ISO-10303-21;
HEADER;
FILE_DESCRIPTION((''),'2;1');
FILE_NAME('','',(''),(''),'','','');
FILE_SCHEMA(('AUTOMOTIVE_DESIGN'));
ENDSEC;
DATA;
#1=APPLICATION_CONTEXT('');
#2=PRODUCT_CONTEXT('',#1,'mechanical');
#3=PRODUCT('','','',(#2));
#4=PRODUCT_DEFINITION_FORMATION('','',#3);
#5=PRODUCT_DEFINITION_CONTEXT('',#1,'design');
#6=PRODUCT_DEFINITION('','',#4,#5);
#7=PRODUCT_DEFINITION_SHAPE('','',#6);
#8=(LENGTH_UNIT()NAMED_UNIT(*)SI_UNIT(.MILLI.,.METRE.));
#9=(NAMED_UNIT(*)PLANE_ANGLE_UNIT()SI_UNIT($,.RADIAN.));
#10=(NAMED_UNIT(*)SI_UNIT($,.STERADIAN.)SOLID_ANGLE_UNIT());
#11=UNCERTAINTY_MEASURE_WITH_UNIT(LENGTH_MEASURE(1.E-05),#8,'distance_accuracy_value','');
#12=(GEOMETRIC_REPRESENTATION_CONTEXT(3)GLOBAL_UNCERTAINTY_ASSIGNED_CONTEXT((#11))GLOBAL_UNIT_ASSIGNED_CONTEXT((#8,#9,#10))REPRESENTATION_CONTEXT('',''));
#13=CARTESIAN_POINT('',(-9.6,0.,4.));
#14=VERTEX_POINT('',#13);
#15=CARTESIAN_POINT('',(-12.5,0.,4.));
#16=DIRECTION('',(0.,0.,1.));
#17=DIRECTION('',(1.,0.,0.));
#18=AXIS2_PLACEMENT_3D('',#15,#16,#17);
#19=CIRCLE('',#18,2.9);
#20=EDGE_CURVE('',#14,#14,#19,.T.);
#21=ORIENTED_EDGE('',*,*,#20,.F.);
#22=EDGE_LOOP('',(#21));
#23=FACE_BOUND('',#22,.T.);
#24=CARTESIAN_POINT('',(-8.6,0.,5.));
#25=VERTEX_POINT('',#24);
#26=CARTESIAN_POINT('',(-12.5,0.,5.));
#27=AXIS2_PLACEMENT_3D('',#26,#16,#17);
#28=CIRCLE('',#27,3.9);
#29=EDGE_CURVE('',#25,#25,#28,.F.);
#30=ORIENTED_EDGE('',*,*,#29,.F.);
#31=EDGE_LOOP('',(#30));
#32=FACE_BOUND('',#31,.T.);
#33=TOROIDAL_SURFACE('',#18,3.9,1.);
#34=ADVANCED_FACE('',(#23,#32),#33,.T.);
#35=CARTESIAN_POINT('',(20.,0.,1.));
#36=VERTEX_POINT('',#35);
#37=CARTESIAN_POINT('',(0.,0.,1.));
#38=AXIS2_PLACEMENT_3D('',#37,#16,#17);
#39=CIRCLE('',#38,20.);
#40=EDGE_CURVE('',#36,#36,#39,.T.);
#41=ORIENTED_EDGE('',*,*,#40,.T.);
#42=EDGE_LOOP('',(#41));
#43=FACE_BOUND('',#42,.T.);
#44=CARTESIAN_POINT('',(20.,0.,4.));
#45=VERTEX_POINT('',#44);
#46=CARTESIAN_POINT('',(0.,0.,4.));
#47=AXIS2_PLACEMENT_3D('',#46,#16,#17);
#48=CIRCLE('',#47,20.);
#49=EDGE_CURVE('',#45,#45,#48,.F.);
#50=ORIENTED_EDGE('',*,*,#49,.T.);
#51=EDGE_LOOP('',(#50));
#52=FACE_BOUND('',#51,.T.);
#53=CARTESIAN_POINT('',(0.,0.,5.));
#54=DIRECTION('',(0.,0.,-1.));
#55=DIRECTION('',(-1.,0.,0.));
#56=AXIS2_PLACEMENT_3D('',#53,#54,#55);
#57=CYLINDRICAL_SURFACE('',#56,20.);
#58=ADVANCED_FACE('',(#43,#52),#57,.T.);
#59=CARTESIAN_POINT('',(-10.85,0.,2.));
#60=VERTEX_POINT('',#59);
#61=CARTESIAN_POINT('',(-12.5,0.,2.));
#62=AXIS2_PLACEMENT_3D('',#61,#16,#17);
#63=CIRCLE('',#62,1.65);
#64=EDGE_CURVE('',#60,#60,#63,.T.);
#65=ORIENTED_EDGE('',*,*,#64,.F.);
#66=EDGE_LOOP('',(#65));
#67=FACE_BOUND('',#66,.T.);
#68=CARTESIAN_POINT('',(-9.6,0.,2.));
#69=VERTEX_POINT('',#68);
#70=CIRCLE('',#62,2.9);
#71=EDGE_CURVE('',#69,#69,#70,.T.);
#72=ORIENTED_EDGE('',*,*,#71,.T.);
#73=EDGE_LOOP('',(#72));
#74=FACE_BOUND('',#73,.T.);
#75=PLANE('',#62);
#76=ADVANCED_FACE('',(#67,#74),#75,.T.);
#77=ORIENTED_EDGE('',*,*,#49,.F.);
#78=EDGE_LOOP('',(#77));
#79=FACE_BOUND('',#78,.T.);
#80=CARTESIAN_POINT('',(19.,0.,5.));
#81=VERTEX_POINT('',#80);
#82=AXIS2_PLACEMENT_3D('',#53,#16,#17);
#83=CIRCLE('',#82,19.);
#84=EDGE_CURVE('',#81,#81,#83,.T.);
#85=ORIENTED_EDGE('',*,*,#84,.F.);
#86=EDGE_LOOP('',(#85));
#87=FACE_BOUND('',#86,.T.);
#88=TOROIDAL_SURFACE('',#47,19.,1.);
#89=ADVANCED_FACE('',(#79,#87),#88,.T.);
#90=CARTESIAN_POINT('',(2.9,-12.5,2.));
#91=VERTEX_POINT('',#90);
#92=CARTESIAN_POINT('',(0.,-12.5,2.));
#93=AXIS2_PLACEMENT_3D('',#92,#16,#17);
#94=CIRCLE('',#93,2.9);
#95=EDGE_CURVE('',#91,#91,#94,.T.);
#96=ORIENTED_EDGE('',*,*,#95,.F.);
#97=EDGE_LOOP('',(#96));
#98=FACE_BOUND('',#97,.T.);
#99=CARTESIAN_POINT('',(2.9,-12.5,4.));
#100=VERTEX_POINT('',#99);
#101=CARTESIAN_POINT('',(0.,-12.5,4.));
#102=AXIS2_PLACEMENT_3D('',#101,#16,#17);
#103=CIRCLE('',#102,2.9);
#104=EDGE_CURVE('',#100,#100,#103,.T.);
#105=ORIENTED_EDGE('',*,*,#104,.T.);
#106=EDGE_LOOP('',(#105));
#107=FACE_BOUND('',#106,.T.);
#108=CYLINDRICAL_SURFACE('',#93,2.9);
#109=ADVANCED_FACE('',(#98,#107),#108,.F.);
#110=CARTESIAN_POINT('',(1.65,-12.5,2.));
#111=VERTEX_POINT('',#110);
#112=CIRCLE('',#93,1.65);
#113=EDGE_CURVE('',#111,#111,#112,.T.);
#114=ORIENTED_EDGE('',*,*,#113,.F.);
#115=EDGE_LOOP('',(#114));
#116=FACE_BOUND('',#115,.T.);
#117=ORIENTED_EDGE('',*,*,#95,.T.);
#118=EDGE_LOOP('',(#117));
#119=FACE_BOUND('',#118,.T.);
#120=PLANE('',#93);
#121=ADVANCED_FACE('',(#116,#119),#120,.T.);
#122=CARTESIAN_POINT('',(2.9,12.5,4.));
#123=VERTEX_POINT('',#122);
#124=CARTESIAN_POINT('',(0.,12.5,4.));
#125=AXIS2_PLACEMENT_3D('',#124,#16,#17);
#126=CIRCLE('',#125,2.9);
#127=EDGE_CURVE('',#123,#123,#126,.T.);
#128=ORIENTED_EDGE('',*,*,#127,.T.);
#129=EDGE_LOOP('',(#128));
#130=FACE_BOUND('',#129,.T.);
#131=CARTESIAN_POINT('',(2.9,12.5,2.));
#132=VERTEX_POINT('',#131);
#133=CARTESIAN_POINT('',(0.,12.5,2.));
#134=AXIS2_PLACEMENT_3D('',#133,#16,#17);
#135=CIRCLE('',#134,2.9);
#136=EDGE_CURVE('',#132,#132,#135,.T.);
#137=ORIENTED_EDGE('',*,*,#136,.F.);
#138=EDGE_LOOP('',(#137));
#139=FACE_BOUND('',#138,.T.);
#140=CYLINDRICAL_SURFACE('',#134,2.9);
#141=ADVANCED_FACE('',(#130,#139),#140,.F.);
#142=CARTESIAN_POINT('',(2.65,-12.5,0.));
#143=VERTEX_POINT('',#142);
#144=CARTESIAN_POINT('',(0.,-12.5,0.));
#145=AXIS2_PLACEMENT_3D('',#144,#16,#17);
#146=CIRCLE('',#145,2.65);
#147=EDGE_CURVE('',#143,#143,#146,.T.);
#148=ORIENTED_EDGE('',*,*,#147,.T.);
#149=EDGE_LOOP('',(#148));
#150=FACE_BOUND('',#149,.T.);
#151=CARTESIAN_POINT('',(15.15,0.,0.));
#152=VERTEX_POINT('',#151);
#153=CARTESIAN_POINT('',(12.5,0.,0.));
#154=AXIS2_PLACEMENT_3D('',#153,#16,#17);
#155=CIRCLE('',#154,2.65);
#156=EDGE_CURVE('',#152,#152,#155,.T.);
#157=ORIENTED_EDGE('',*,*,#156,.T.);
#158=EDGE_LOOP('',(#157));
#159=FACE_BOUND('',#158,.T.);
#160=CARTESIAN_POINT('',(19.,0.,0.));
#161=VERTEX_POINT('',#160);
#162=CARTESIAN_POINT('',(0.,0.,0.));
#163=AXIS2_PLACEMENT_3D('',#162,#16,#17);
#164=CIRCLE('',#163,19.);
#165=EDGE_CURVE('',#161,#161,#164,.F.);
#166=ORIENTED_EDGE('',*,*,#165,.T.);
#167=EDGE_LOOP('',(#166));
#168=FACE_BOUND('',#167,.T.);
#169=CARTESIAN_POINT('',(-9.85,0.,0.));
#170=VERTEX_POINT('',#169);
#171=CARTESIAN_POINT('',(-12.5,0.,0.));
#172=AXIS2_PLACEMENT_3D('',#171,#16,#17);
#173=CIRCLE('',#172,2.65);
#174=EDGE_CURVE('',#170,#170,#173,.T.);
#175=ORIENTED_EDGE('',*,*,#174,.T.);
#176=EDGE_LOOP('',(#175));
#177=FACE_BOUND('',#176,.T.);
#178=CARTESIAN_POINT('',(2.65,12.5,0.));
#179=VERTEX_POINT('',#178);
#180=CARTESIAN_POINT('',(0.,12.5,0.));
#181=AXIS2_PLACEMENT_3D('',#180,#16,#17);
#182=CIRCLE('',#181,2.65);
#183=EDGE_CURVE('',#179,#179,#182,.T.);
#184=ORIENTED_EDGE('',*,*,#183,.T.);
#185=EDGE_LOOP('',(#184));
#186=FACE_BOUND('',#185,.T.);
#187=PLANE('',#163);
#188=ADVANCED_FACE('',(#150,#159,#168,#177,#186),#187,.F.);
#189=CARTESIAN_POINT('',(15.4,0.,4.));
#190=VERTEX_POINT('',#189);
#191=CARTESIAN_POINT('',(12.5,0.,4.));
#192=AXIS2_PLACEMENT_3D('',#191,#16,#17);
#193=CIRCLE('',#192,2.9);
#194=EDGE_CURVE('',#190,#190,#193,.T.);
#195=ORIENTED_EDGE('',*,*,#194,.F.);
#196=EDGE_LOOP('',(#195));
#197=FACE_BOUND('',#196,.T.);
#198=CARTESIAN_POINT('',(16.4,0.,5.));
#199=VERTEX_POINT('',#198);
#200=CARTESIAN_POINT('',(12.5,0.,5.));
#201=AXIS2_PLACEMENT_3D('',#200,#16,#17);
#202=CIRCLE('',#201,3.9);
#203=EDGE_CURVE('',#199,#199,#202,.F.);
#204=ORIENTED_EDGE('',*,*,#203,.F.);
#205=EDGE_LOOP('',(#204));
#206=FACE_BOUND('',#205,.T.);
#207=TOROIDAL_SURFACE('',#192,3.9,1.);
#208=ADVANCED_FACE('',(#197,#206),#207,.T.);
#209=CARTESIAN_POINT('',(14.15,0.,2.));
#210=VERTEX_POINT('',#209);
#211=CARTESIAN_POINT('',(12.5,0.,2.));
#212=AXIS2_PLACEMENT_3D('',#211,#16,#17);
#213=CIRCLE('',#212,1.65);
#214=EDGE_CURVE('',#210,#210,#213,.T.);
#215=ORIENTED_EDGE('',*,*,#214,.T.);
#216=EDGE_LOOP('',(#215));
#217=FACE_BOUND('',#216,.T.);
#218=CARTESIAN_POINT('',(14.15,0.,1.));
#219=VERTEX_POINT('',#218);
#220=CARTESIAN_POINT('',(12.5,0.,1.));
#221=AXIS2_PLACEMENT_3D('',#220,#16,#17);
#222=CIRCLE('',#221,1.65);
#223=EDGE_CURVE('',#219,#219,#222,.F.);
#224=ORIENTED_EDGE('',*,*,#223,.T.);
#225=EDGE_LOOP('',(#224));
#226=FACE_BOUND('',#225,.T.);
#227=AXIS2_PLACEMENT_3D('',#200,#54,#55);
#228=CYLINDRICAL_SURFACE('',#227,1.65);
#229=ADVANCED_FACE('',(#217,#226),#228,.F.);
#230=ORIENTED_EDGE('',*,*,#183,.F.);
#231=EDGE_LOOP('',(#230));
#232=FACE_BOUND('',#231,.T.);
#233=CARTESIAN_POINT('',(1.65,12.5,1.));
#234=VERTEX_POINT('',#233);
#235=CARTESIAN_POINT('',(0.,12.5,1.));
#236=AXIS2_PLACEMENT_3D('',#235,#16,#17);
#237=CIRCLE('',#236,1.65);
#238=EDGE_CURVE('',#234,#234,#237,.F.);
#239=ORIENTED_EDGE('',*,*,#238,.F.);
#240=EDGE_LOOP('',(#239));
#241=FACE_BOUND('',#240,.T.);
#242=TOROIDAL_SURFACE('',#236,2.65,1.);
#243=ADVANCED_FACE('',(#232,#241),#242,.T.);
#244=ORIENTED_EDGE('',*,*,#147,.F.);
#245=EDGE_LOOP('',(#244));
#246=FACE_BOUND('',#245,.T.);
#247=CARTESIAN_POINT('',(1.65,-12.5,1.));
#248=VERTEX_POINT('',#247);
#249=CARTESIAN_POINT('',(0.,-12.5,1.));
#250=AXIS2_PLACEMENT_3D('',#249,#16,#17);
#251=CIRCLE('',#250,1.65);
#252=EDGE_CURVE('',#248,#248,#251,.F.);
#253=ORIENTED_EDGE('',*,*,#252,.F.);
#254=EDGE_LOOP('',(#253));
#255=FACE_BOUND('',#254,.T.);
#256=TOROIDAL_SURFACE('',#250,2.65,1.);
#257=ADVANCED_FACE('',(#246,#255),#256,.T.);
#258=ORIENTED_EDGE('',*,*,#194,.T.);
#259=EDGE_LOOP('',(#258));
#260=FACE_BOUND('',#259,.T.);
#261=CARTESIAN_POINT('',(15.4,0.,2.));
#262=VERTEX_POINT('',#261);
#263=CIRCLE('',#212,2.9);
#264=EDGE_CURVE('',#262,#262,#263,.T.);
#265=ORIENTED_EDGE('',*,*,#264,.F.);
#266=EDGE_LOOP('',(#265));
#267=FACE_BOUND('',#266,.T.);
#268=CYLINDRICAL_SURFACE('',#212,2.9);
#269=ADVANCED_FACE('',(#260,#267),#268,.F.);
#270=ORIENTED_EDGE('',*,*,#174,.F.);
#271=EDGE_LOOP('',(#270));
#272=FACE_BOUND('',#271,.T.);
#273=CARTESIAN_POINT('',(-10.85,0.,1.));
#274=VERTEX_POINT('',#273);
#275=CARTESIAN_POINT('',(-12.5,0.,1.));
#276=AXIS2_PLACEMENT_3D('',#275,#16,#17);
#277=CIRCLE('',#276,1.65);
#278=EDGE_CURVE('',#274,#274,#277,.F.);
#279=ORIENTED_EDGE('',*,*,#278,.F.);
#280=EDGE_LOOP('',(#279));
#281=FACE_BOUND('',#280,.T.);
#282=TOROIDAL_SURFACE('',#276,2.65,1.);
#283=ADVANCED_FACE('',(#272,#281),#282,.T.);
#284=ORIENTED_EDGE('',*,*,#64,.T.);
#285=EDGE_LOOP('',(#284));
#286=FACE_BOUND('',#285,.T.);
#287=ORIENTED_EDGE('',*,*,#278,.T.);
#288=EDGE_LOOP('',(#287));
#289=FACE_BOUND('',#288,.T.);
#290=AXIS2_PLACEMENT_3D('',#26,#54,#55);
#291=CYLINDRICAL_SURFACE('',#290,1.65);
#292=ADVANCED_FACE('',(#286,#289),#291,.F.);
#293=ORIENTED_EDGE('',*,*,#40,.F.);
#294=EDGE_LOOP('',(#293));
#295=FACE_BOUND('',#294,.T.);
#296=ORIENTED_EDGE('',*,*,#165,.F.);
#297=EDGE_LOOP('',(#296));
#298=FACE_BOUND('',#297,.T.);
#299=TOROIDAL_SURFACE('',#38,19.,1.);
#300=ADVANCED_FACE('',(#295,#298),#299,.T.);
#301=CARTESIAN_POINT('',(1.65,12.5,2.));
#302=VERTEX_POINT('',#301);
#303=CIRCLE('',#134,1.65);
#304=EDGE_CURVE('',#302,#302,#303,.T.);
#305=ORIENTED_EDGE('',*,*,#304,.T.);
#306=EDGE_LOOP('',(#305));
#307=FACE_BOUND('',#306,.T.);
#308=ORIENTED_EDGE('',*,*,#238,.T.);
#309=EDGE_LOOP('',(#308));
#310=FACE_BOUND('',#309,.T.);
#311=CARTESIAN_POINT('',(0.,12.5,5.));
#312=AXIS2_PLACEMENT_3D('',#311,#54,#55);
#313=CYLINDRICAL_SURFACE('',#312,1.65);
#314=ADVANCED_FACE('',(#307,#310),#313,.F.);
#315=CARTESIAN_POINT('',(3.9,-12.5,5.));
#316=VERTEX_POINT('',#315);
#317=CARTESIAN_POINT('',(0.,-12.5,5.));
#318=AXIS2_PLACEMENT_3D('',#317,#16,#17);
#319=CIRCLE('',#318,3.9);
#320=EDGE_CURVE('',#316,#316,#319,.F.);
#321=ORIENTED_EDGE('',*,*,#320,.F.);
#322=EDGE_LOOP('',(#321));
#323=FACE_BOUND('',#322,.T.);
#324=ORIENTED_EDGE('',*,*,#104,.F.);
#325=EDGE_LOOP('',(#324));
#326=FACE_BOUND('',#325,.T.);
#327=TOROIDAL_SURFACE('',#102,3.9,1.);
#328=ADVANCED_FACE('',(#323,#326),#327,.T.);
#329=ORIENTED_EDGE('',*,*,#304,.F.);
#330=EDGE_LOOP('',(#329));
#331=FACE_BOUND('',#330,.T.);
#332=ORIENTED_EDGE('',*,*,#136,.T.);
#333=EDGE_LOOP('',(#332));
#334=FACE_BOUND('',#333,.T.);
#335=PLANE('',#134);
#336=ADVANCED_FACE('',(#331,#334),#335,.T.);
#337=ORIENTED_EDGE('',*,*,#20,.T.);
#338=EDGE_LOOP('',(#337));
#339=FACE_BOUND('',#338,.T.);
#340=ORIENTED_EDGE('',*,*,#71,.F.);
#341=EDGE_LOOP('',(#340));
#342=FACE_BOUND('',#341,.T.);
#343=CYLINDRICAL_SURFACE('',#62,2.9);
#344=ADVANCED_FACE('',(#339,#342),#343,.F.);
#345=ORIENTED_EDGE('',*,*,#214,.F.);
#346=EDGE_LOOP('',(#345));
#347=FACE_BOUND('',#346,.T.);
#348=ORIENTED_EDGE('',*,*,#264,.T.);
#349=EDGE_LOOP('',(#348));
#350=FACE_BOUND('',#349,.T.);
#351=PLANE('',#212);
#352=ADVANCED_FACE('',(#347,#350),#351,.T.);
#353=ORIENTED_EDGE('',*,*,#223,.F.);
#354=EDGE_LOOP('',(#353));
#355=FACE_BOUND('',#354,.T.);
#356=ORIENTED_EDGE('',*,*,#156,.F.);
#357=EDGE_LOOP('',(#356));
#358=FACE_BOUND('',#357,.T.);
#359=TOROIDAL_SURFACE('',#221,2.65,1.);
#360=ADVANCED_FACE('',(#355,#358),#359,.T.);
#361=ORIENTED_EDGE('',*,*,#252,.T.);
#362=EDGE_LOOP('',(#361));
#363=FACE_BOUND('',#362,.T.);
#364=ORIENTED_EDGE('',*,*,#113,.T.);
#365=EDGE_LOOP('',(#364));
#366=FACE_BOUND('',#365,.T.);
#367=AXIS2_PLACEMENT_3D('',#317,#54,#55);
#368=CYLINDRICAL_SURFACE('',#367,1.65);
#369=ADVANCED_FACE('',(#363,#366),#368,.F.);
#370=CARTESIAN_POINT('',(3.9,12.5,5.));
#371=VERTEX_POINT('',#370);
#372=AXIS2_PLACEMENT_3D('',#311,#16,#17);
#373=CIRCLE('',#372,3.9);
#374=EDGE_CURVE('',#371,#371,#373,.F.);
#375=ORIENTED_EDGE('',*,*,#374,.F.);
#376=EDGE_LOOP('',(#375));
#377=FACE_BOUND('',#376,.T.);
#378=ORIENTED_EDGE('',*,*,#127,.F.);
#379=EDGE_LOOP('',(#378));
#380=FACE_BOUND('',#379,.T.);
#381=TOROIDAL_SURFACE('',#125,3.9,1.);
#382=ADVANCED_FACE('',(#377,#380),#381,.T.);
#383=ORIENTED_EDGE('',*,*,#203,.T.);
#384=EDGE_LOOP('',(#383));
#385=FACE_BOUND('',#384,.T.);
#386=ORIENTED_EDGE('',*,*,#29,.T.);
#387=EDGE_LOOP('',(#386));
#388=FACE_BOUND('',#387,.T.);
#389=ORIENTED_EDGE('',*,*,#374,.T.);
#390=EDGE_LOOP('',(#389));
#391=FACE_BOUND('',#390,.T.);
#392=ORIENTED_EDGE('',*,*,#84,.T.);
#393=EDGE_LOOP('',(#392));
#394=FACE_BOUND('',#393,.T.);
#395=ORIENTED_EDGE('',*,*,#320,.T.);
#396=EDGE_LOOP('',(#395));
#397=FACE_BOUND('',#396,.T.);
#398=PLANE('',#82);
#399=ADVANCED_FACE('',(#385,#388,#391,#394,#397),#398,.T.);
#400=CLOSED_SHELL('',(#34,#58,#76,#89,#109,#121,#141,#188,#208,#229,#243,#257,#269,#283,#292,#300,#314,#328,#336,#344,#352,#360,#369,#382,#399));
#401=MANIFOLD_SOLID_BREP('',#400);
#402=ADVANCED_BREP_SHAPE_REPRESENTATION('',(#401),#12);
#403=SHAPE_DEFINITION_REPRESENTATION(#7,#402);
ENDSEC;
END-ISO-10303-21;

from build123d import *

# Parameters (mm, degrees)
SKIZZE1_R                       = 20
SKIZZE1_R_2                     = 1.65
AUFSATZ_LINEAR_AUSTRAGEN1_DEPTH = 5
SKIZZE2_R                       = 2.9
SCHNITT_LINEAR_AUSTRAGEN1_DEPTH = 3
VERRUNDUNG1_R                   = 1


with BuildPart() as part:
    # Skizze1 → Aufsatz-Linear austragen1 (new body)
    with BuildSketch(Plane.XY):
        Circle(SKIZZE1_R)
        with Locations((12.5, 0)):
            Circle(SKIZZE1_R_2, mode=Mode.SUBTRACT)
        with Locations((0, -12.5)):
            Circle(SKIZZE1_R_2, mode=Mode.SUBTRACT)
        with Locations((-12.5, 0)):
            Circle(SKIZZE1_R_2, mode=Mode.SUBTRACT)
        with Locations((0, 12.5)):
            Circle(SKIZZE1_R_2, mode=Mode.SUBTRACT)
    extrude(amount=AUFSATZ_LINEAR_AUSTRAGEN1_DEPTH)

    # Skizze2 → Schnitt-Linear austragen1 (cut)
    with BuildSketch(Plane.XY.offset(5)):
        with Locations((0, 12.5)):
            Circle(SKIZZE2_R)
        with Locations((12.5, 0)):
            Circle(SKIZZE2_R)
        with Locations((0, -12.5)):
            Circle(SKIZZE2_R)
        with Locations((-12.5, 0)):
            Circle(SKIZZE2_R)
    extrude(amount=-SCHNITT_LINEAR_AUSTRAGEN1_DEPTH, mode=Mode.SUBTRACT)

    # Verrundung1
    verrundung1_edges = [part.edges().sort_by_distance(p)[0] for p in [
        (-2.9, 12.5, 5),
        (9.6, 0, 5),
        (-20, 0, 5),
        (-2.9, -12.5, 5),
        (-15.4, 0, 5),
        (-20, 0, 0),
        (10.85, 0, 0),
        (-1.65, -12.5, 0),
        (-14.15, 0, 0),
        (-1.65, 12.5, 0),
    ]]
    fillet(verrundung1_edges, radius=VERRUNDUNG1_R)


solid = part.part
